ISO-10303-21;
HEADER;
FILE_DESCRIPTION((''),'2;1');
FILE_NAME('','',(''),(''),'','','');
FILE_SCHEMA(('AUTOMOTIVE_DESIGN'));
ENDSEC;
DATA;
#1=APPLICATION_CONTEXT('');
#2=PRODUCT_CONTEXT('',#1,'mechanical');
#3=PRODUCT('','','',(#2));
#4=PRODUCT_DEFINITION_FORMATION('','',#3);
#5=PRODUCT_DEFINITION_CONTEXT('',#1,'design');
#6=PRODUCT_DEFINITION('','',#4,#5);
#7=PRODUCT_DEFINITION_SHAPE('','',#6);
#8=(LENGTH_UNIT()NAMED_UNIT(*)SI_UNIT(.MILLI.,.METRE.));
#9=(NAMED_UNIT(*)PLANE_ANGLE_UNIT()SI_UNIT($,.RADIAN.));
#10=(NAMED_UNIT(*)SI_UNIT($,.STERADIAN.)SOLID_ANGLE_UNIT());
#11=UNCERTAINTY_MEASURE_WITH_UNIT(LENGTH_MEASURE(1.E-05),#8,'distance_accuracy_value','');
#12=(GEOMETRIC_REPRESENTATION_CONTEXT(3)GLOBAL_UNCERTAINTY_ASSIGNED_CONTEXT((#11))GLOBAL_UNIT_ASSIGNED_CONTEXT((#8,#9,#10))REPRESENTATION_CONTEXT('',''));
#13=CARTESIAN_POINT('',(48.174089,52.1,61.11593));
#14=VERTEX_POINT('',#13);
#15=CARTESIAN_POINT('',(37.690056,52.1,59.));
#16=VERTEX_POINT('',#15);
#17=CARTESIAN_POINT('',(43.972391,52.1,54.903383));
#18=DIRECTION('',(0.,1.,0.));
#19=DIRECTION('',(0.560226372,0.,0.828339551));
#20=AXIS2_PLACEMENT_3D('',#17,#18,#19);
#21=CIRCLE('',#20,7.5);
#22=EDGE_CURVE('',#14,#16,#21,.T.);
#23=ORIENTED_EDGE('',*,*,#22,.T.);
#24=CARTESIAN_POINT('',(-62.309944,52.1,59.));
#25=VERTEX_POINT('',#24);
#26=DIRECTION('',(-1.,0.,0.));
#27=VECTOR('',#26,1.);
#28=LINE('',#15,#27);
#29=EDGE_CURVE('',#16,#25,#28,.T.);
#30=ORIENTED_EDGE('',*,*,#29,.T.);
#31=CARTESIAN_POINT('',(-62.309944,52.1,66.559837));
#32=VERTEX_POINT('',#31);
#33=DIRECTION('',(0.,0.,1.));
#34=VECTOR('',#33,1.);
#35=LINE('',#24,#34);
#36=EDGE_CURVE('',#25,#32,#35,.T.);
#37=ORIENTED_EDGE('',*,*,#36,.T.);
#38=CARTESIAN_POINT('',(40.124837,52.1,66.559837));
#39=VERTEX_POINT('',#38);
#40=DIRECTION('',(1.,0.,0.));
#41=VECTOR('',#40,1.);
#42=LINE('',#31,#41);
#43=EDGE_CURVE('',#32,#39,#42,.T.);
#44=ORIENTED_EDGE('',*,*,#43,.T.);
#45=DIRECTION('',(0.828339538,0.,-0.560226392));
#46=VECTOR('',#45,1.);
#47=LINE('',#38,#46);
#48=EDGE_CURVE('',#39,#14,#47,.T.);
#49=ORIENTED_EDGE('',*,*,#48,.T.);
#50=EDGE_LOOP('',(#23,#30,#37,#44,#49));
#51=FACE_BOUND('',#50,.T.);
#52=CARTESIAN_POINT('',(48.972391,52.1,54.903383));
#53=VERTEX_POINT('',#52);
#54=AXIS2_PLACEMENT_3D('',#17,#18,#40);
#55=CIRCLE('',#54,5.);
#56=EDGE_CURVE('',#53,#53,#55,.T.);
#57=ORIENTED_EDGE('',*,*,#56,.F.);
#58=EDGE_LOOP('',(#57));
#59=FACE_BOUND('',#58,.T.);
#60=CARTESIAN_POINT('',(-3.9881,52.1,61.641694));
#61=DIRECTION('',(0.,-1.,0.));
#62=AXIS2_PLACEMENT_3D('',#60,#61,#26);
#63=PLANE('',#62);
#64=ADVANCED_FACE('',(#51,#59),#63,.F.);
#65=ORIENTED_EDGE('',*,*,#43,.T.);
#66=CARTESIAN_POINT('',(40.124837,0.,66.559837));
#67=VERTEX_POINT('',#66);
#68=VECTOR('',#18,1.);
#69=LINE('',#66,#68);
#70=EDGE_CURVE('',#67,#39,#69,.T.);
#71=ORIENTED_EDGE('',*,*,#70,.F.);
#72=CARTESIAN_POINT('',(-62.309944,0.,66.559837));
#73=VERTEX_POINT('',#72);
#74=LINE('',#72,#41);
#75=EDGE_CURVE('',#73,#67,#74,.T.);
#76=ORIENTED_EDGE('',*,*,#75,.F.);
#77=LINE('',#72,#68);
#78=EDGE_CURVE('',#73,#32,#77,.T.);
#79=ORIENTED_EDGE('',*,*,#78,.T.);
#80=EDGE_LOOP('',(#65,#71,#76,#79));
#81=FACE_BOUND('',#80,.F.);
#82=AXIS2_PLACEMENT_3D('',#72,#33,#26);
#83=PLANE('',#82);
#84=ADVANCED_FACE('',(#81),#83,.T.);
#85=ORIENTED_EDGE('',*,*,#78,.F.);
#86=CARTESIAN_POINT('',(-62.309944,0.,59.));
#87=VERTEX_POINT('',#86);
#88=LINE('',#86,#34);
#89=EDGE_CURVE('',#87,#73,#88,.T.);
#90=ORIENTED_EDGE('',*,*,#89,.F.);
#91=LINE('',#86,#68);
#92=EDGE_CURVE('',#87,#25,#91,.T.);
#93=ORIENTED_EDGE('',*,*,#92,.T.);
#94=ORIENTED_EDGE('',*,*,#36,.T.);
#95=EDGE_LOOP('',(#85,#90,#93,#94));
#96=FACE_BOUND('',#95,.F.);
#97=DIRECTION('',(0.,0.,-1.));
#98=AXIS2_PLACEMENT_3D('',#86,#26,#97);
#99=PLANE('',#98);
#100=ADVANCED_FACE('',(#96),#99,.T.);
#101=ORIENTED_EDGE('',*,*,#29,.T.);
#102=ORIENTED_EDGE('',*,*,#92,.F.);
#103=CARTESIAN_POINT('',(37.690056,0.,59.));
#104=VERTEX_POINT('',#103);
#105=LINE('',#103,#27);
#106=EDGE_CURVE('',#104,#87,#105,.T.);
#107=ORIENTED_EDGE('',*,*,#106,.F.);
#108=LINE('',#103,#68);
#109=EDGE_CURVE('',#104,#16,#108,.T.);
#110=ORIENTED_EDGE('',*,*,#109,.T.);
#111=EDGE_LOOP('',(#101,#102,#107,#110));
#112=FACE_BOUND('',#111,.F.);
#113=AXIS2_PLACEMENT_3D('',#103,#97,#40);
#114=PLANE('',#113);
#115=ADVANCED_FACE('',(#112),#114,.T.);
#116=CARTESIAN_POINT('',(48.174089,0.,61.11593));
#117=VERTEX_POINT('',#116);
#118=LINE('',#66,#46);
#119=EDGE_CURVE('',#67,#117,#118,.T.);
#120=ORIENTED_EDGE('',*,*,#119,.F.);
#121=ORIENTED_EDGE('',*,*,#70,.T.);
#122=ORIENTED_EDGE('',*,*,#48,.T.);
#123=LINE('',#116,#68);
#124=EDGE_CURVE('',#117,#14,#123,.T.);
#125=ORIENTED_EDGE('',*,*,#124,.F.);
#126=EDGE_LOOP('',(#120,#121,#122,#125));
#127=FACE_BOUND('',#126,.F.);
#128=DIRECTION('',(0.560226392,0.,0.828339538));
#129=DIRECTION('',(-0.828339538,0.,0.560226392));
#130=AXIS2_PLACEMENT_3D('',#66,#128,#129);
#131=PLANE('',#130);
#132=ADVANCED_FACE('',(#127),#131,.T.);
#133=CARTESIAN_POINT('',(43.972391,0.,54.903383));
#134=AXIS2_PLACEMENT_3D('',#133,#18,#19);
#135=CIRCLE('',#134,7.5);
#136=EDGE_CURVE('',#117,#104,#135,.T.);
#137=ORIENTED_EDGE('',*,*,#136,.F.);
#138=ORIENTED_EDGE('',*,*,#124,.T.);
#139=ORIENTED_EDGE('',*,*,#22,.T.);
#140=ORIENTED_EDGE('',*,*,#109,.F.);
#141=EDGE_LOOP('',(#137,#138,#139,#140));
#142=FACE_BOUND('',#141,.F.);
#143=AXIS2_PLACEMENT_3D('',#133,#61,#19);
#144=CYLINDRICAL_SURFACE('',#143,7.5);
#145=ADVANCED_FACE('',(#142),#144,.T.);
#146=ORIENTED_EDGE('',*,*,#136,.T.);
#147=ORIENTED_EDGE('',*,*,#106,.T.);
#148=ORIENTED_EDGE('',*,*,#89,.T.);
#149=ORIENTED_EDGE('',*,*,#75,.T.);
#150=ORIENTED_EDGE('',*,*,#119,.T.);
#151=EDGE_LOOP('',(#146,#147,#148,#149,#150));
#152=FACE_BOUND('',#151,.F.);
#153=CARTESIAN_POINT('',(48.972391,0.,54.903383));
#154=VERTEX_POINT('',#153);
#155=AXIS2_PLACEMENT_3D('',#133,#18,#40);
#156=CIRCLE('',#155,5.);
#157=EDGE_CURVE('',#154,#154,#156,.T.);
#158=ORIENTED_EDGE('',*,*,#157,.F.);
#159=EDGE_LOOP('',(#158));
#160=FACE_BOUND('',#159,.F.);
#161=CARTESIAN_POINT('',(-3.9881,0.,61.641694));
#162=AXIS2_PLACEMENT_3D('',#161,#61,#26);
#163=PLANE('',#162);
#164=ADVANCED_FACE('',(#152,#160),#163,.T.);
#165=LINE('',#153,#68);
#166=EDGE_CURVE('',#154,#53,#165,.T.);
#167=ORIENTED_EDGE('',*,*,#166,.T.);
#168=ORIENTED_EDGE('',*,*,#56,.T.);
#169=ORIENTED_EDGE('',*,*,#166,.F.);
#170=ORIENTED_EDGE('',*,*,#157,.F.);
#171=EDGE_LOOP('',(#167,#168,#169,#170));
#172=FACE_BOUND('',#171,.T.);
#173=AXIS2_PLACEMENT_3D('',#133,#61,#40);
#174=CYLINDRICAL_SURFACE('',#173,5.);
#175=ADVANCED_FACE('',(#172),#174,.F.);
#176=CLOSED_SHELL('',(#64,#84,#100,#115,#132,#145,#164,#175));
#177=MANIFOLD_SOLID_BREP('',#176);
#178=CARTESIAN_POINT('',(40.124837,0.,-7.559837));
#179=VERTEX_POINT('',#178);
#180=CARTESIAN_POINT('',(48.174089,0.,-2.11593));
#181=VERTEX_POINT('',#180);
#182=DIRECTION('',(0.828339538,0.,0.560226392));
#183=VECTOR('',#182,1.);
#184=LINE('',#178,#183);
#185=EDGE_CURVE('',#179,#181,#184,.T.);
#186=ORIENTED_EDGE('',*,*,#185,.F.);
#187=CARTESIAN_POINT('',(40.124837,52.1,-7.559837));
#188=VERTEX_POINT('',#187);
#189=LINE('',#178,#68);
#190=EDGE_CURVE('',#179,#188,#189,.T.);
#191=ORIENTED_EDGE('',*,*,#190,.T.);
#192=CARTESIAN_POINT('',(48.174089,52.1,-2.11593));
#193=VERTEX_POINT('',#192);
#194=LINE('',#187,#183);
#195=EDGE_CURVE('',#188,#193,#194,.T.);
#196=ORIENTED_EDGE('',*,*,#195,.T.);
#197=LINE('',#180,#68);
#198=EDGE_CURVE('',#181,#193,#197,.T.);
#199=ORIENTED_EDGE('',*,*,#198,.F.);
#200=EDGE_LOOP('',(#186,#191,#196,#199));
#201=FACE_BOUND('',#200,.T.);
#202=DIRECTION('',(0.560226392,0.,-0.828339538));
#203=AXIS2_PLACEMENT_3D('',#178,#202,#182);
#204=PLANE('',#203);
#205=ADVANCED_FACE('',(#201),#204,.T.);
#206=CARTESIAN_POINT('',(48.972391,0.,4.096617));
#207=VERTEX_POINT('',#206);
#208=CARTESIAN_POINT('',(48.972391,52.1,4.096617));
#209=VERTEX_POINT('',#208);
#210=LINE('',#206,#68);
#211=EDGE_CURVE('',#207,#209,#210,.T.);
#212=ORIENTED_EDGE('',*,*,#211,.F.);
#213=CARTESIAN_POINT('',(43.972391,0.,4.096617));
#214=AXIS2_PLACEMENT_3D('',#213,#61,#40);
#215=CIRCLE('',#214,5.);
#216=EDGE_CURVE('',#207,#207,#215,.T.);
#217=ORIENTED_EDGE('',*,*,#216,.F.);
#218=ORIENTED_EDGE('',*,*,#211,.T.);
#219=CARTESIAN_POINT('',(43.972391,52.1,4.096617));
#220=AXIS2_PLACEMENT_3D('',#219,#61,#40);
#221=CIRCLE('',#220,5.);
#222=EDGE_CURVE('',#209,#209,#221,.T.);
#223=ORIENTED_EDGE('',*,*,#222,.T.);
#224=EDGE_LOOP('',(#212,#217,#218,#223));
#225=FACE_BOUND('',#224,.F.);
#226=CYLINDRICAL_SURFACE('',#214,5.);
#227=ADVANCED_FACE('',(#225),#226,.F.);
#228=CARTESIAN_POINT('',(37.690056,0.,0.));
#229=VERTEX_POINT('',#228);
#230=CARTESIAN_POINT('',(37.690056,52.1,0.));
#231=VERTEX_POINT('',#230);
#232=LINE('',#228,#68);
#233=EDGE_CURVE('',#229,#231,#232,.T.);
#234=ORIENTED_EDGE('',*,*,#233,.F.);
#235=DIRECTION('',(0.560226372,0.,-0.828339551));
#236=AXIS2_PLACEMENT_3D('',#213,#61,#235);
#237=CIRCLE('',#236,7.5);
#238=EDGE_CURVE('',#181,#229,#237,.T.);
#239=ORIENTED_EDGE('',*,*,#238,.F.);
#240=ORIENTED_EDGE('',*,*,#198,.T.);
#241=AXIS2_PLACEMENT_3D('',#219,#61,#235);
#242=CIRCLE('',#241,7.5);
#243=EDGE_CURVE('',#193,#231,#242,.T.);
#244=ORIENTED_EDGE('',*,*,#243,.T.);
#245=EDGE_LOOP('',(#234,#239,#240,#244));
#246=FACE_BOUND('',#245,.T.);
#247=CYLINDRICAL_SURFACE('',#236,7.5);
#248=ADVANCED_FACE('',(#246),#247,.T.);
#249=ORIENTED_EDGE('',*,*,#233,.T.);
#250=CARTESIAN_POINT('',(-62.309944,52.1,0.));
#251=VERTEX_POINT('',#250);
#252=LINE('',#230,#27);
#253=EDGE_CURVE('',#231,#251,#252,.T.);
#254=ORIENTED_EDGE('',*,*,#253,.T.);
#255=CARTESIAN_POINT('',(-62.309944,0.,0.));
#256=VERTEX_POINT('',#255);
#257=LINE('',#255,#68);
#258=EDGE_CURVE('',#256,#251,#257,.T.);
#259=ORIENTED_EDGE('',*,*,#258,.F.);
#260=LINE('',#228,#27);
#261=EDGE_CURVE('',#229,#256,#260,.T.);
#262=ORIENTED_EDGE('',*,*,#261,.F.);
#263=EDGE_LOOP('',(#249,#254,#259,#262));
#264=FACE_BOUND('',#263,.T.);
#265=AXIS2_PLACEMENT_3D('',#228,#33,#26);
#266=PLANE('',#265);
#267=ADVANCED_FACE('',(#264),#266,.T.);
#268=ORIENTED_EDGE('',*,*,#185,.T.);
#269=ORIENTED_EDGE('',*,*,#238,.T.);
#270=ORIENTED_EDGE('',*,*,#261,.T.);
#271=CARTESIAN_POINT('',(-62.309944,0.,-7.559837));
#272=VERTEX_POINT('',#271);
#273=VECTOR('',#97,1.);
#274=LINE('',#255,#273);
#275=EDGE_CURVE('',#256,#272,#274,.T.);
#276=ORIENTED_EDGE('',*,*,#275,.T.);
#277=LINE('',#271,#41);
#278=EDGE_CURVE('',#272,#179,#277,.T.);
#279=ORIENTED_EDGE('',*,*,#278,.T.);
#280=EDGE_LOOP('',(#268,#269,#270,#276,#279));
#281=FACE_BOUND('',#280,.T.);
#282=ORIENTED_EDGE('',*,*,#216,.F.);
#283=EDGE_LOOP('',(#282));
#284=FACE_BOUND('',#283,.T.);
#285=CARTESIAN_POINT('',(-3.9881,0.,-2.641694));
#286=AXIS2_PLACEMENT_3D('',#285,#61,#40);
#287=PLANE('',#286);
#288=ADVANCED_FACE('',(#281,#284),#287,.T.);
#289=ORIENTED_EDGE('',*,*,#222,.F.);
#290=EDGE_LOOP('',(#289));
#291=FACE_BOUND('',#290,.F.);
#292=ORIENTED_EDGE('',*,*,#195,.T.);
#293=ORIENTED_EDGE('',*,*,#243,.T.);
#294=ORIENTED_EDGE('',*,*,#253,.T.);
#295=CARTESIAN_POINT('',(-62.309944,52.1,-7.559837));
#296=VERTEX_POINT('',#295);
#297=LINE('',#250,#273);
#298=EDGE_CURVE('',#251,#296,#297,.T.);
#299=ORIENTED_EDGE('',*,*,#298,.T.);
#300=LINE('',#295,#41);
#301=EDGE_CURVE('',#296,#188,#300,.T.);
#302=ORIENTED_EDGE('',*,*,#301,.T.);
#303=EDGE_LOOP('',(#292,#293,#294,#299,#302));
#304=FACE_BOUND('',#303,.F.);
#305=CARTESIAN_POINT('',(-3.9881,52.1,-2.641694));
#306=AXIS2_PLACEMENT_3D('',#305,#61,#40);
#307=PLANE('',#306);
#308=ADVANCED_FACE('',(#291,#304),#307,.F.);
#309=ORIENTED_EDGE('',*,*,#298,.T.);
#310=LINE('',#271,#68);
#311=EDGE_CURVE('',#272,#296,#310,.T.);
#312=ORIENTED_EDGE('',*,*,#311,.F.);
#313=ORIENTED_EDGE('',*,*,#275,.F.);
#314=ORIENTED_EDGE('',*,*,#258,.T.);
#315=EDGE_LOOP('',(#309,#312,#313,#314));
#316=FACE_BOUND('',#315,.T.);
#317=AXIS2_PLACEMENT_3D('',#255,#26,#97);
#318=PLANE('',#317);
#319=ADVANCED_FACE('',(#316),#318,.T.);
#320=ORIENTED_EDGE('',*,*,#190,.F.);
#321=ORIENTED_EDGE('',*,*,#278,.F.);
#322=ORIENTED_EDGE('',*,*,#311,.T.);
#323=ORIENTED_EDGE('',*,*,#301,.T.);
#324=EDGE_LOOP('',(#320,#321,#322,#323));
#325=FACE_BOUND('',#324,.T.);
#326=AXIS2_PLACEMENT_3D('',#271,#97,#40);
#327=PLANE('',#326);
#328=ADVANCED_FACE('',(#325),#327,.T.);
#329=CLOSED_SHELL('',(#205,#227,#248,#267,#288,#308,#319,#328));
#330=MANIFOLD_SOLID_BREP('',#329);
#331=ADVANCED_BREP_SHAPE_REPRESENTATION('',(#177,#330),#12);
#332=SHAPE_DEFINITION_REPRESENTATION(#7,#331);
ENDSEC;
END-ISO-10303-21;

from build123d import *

# Parameters (mm, degrees)
F0_R     = 5
F1_DEPTH = 52.1


with BuildPart() as f1:
    # F0 (on Front) → F1 (new body)
    with BuildSketch(Plane.XZ):
        with BuildLine():
            Line((37.690056, 0), (-62.309944, 0))
            Line((-62.309944, 0), (-62.309944, -7.559837))
            Line((-62.309944, -7.559837), (40.124837, -7.559837))
            Line((40.124837, -7.559837), (48.174089, -2.11593))
            ThreePointArc((48.174089, -2.11593), (45.456154, 11.448382), (37.690056, 0))
        make_face()
        with Locations((43.972391, 4.096617)):
            Circle(F0_R, mode=Mode.SUBTRACT)
    extrude(amount=-F1_DEPTH)


with BuildPart() as f3_1:
    # F3: instance of F1
    add(f1.part.mirror(Plane.XY.offset(29.5)))


solid = Compound([f1.part, f3_1.part])
